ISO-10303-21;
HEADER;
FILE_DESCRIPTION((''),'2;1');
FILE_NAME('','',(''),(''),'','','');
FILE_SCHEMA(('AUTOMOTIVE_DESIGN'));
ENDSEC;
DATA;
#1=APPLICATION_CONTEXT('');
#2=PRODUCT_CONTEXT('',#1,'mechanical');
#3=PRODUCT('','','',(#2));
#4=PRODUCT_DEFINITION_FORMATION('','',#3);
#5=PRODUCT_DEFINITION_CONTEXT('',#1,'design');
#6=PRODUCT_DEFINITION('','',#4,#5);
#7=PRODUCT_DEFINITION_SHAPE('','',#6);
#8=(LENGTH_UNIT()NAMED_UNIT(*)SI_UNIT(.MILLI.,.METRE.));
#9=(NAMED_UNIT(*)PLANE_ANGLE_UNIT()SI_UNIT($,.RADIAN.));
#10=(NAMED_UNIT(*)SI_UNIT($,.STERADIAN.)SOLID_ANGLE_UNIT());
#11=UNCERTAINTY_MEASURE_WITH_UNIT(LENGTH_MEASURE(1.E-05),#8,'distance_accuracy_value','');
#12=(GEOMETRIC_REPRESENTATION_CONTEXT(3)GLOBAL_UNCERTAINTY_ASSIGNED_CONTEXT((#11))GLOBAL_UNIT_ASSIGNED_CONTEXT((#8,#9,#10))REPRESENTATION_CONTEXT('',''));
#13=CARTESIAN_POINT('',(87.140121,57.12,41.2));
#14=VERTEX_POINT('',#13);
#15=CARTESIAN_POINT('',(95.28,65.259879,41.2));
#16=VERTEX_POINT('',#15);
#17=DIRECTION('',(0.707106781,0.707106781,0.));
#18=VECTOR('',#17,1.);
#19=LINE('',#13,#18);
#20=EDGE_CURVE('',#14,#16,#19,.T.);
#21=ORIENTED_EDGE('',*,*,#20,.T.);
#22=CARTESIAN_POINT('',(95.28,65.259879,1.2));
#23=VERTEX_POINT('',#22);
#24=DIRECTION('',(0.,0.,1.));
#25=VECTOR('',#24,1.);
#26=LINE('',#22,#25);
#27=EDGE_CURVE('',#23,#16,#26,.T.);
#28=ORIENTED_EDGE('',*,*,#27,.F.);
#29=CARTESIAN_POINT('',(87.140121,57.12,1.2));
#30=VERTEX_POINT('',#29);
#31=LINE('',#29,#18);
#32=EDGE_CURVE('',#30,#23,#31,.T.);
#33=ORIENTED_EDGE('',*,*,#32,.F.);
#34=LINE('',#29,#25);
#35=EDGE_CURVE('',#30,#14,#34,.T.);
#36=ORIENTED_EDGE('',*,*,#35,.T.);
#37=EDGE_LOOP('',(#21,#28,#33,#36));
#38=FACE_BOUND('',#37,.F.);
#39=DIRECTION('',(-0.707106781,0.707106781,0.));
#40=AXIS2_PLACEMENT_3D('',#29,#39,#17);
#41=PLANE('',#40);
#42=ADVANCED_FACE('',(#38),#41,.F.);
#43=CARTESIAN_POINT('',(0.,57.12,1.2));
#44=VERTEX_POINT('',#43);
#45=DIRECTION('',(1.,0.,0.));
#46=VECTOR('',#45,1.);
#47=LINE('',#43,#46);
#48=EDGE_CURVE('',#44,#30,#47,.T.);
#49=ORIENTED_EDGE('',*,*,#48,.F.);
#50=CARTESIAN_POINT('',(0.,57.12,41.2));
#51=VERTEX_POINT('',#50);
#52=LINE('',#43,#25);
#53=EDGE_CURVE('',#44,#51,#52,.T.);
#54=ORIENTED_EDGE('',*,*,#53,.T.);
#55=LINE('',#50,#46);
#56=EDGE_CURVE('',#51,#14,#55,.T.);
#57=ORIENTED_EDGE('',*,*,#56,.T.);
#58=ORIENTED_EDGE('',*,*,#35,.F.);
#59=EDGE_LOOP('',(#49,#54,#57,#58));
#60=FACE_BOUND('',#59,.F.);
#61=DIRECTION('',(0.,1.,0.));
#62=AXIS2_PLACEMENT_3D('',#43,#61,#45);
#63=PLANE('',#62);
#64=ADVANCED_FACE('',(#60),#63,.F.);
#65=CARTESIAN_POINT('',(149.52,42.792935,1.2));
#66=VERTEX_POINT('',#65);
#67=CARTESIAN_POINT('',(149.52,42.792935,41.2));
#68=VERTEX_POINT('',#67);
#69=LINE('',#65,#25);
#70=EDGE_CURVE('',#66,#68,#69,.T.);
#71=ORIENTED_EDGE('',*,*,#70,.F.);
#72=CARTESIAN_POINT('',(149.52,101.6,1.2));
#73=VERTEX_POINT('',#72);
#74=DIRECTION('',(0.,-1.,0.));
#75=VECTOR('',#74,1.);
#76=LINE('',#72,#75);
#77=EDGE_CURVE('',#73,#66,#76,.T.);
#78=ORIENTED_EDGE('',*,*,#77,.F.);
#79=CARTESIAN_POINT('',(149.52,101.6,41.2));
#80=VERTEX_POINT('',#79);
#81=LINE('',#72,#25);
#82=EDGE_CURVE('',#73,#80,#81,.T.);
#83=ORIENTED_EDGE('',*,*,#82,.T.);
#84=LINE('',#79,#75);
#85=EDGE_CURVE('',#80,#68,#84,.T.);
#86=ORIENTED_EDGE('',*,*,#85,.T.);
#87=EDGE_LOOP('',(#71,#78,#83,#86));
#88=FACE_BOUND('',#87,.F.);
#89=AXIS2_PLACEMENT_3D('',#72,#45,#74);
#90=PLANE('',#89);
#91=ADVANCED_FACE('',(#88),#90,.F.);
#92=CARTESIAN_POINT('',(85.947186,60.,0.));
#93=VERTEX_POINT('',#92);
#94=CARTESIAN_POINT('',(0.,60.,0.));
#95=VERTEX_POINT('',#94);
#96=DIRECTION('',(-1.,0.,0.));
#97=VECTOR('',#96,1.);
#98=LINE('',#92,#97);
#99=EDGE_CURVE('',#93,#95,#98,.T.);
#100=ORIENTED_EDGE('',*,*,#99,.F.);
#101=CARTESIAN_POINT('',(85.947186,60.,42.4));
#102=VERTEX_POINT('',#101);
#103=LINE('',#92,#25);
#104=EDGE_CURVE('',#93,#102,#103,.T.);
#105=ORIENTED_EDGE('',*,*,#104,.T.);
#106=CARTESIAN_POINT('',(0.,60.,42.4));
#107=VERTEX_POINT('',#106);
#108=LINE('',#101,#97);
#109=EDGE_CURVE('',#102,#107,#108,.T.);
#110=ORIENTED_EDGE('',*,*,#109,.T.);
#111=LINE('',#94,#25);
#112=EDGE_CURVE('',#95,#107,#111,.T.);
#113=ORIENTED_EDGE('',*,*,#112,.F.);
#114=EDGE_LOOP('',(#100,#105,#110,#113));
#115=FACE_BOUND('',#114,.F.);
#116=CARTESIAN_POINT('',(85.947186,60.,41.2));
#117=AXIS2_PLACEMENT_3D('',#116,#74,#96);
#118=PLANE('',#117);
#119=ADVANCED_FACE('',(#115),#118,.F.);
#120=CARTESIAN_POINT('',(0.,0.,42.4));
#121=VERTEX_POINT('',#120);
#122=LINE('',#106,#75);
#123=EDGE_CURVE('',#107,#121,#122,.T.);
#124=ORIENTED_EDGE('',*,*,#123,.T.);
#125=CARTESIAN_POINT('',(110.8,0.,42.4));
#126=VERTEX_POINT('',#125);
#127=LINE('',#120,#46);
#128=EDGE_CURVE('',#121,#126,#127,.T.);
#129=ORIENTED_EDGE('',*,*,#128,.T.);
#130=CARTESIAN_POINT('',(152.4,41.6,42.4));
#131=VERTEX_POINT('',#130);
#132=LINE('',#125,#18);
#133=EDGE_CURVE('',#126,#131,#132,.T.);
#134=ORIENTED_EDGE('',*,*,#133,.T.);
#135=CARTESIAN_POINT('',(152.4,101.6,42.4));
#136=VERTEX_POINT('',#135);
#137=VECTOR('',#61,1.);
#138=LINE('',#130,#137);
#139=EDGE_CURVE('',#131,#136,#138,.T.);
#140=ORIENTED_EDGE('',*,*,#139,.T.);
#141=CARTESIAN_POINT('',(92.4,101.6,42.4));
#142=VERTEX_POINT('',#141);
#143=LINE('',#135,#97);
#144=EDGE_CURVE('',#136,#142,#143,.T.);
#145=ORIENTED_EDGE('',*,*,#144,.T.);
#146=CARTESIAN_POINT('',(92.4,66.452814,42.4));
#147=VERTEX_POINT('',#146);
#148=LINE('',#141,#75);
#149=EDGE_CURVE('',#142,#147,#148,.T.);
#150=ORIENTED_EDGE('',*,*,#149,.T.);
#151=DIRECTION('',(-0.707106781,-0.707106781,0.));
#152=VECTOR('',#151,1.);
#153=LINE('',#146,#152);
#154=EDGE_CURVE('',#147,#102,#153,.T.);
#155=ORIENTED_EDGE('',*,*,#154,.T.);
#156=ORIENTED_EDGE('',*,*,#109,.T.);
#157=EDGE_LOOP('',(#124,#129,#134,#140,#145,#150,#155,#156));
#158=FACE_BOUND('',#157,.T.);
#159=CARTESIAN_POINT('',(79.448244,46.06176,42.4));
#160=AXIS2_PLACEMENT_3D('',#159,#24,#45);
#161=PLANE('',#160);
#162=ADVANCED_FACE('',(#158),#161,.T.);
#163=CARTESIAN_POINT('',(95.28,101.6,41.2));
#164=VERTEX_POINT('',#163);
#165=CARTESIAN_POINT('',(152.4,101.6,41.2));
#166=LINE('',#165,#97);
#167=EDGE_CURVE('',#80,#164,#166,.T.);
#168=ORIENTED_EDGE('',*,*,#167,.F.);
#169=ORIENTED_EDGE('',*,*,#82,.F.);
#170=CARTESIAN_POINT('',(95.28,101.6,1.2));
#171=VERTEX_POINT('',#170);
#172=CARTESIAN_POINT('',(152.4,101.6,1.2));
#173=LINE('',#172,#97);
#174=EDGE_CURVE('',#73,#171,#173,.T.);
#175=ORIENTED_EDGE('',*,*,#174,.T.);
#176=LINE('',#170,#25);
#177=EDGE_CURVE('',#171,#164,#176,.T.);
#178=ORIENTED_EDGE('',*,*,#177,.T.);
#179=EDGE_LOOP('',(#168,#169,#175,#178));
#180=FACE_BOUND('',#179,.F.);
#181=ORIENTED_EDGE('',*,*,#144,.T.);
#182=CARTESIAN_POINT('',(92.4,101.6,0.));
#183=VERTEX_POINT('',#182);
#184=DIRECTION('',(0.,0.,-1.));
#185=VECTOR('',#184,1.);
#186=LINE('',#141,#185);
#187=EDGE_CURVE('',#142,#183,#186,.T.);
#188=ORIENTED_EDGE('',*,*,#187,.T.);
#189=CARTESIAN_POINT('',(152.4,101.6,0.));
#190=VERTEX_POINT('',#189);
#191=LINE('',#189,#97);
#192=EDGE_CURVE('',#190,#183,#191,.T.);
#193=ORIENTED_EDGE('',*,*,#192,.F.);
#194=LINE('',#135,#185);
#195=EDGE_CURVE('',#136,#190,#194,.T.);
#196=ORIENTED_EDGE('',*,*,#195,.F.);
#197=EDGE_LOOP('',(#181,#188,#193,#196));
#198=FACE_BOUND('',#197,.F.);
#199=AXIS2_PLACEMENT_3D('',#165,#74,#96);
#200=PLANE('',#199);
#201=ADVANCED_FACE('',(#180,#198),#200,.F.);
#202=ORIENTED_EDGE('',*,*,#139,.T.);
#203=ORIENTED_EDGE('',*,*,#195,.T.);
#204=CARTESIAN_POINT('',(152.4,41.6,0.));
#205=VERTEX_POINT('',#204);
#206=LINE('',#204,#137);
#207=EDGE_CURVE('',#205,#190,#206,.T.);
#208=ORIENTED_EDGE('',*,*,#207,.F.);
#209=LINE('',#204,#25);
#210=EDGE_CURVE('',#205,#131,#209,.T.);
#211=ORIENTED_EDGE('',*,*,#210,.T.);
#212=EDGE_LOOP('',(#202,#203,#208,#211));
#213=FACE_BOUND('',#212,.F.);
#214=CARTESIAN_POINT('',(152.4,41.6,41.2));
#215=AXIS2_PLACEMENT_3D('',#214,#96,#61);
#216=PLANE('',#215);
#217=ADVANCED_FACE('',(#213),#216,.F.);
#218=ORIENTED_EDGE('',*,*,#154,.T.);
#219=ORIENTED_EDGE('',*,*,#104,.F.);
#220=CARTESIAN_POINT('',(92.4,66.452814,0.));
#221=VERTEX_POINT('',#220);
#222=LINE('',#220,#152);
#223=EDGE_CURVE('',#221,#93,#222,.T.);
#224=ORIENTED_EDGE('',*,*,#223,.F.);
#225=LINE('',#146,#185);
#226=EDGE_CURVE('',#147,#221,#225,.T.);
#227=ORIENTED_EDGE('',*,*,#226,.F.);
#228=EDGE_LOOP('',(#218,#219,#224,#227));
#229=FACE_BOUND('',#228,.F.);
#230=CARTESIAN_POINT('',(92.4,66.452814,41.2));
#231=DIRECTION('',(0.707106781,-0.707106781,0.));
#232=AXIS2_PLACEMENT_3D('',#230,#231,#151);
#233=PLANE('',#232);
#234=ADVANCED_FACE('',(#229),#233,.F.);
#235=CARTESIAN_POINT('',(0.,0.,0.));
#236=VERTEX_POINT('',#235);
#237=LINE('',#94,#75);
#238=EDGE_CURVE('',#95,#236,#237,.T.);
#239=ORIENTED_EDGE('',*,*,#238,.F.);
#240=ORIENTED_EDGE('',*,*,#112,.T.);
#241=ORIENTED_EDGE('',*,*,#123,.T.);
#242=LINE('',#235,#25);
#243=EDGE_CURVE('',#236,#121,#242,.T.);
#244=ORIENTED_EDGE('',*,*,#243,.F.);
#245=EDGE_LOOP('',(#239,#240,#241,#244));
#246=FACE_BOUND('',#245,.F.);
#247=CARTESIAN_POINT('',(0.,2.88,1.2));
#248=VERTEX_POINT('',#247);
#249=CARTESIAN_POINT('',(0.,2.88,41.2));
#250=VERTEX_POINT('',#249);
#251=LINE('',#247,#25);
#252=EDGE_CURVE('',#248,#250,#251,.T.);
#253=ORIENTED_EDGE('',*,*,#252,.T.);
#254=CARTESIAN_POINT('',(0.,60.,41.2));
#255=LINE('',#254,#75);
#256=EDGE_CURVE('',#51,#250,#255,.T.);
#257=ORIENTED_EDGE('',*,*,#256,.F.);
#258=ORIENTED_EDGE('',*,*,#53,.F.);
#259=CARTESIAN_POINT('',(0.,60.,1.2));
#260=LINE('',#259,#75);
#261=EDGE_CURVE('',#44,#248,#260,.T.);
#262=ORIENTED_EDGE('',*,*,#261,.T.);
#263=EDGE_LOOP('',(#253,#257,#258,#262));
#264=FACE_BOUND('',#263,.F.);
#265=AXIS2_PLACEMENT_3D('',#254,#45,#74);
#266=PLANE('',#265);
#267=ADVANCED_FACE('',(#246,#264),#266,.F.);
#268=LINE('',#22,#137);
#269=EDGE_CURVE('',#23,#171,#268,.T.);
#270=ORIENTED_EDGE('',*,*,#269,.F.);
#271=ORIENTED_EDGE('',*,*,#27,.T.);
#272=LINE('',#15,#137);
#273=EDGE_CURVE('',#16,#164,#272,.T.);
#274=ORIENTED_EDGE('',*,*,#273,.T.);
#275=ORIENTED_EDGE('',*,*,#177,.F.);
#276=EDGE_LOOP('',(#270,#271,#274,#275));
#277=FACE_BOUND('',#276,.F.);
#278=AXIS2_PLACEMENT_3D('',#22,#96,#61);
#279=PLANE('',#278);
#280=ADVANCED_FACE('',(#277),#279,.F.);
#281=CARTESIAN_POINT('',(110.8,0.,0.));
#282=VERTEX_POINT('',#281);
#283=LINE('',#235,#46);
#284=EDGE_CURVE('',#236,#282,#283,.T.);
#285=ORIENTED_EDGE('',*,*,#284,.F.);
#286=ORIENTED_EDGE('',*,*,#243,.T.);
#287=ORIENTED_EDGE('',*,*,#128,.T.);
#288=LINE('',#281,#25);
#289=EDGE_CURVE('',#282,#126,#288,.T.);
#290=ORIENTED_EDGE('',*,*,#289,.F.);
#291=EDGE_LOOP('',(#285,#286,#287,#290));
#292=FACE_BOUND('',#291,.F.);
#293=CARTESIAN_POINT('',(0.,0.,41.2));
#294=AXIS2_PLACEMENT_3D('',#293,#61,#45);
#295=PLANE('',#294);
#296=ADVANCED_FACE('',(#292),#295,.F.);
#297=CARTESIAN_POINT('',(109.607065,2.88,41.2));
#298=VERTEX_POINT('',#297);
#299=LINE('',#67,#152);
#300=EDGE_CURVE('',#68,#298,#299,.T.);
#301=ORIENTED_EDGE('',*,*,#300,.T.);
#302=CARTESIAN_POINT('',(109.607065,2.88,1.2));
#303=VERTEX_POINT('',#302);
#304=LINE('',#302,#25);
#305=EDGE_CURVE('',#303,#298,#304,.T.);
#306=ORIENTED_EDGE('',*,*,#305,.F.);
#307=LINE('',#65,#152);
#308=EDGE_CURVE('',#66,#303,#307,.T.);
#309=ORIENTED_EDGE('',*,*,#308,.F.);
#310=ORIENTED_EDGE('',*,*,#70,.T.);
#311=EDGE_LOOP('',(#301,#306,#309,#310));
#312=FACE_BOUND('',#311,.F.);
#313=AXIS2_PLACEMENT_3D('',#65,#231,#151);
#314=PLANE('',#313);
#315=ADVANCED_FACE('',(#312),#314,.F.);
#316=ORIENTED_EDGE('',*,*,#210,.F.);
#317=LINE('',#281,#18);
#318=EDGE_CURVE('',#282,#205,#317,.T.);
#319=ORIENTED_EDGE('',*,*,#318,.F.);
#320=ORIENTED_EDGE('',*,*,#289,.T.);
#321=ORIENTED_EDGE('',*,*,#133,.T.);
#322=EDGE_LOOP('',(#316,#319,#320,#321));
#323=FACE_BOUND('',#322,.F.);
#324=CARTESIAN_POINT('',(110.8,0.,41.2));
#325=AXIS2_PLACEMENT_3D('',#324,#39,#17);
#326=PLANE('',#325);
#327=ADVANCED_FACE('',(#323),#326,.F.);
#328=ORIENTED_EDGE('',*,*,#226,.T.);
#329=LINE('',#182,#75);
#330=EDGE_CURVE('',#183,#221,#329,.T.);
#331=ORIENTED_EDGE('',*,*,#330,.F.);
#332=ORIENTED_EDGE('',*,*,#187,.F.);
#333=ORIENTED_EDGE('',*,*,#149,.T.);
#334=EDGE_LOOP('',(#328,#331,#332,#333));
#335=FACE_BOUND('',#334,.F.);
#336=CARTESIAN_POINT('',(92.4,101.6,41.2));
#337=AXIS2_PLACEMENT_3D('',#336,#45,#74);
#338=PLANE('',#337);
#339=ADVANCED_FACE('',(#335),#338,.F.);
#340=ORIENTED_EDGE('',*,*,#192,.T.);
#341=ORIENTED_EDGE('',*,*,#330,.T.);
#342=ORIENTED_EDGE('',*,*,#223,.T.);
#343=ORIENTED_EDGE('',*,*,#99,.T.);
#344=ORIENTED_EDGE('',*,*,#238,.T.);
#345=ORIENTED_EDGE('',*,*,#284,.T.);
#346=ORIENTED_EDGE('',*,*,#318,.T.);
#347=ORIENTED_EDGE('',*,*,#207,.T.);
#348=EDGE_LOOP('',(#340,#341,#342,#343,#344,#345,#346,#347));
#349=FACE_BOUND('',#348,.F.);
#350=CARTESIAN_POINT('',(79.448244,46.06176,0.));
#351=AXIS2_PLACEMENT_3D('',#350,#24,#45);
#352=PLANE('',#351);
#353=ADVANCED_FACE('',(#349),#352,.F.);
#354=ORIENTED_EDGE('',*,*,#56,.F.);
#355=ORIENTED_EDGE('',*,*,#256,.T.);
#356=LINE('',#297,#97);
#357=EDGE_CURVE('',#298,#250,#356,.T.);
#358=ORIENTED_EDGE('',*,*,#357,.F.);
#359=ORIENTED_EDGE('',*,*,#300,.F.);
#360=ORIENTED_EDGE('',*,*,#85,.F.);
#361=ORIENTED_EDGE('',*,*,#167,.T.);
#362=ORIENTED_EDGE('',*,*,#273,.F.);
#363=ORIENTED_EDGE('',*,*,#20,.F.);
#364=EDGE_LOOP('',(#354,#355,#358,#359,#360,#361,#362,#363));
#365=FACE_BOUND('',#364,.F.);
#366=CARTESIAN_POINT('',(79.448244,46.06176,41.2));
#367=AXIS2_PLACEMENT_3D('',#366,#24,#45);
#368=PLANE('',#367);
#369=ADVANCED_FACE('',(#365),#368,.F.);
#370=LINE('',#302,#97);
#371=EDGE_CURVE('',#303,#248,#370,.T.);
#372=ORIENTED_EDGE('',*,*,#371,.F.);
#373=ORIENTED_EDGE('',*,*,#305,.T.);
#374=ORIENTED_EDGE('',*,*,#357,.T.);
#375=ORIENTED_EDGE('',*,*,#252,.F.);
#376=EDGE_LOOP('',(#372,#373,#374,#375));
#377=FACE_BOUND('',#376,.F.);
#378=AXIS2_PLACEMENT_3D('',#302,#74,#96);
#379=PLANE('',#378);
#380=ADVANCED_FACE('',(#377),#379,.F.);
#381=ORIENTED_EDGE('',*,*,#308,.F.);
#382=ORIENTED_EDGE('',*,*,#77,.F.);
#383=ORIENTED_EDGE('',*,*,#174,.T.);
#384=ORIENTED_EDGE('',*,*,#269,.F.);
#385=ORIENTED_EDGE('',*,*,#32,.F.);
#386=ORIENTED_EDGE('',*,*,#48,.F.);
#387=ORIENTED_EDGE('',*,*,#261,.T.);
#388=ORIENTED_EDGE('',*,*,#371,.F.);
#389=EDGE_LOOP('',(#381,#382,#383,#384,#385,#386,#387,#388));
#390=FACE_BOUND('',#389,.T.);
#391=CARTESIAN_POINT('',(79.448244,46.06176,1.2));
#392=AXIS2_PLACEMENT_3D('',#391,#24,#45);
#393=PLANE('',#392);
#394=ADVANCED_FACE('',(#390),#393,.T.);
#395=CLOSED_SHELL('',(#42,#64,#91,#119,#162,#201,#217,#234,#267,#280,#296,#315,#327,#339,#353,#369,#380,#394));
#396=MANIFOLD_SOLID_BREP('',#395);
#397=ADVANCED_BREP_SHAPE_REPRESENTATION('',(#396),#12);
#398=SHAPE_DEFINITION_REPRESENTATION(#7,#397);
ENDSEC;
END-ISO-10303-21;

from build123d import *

# Parameters (mm, degrees)
F1_DEPTH = 1.2
F4_DEPTH = 40
F6_DEPTH = 1.2


with BuildPart() as f1:
    # F0 (on Top) → F1 (new body)
    with BuildSketch(Plane.XY):
        Polygon((0, 60), (0, 0), (110.8, 0), (152.4, 41.6), (152.4, 101.6), (92.4, 101.6), (92.4, 66.452814), (85.947186, 60), align=None)
    extrude(amount=F1_DEPTH)

    # F2 (on face) + F3 (on face) → F4 (join)
    with BuildSketch(Plane.XY.offset(1.2)):
        Polygon((109.607065, 2.88), (0, 2.88), (0, 0), (110.8, 0), (152.4, 41.6), (152.4, 101.6), (149.52, 101.6), (149.52, 42.792935), align=None)
    with BuildSketch(Plane.XY.offset(1.2)):
        Polygon((85.947186, 60), (0, 60), (0, 57.12), (87.140121, 57.12), (95.28, 65.259879), (95.28, 101.6), (92.4, 101.6), (92.4, 66.452814), align=None)
    extrude(amount=F4_DEPTH)

    # F5 (on face) → F6 (join)
    with BuildSketch(Plane.XY.offset(41.2)):
        Polygon((92.4, 66.452814), (85.947186, 60), (0, 60), (0, 0), (110.8, 0), (152.4, 41.6), (152.4, 101.6), (92.4, 101.6), align=None)
    extrude(amount=F6_DEPTH)


solid = f1.part
